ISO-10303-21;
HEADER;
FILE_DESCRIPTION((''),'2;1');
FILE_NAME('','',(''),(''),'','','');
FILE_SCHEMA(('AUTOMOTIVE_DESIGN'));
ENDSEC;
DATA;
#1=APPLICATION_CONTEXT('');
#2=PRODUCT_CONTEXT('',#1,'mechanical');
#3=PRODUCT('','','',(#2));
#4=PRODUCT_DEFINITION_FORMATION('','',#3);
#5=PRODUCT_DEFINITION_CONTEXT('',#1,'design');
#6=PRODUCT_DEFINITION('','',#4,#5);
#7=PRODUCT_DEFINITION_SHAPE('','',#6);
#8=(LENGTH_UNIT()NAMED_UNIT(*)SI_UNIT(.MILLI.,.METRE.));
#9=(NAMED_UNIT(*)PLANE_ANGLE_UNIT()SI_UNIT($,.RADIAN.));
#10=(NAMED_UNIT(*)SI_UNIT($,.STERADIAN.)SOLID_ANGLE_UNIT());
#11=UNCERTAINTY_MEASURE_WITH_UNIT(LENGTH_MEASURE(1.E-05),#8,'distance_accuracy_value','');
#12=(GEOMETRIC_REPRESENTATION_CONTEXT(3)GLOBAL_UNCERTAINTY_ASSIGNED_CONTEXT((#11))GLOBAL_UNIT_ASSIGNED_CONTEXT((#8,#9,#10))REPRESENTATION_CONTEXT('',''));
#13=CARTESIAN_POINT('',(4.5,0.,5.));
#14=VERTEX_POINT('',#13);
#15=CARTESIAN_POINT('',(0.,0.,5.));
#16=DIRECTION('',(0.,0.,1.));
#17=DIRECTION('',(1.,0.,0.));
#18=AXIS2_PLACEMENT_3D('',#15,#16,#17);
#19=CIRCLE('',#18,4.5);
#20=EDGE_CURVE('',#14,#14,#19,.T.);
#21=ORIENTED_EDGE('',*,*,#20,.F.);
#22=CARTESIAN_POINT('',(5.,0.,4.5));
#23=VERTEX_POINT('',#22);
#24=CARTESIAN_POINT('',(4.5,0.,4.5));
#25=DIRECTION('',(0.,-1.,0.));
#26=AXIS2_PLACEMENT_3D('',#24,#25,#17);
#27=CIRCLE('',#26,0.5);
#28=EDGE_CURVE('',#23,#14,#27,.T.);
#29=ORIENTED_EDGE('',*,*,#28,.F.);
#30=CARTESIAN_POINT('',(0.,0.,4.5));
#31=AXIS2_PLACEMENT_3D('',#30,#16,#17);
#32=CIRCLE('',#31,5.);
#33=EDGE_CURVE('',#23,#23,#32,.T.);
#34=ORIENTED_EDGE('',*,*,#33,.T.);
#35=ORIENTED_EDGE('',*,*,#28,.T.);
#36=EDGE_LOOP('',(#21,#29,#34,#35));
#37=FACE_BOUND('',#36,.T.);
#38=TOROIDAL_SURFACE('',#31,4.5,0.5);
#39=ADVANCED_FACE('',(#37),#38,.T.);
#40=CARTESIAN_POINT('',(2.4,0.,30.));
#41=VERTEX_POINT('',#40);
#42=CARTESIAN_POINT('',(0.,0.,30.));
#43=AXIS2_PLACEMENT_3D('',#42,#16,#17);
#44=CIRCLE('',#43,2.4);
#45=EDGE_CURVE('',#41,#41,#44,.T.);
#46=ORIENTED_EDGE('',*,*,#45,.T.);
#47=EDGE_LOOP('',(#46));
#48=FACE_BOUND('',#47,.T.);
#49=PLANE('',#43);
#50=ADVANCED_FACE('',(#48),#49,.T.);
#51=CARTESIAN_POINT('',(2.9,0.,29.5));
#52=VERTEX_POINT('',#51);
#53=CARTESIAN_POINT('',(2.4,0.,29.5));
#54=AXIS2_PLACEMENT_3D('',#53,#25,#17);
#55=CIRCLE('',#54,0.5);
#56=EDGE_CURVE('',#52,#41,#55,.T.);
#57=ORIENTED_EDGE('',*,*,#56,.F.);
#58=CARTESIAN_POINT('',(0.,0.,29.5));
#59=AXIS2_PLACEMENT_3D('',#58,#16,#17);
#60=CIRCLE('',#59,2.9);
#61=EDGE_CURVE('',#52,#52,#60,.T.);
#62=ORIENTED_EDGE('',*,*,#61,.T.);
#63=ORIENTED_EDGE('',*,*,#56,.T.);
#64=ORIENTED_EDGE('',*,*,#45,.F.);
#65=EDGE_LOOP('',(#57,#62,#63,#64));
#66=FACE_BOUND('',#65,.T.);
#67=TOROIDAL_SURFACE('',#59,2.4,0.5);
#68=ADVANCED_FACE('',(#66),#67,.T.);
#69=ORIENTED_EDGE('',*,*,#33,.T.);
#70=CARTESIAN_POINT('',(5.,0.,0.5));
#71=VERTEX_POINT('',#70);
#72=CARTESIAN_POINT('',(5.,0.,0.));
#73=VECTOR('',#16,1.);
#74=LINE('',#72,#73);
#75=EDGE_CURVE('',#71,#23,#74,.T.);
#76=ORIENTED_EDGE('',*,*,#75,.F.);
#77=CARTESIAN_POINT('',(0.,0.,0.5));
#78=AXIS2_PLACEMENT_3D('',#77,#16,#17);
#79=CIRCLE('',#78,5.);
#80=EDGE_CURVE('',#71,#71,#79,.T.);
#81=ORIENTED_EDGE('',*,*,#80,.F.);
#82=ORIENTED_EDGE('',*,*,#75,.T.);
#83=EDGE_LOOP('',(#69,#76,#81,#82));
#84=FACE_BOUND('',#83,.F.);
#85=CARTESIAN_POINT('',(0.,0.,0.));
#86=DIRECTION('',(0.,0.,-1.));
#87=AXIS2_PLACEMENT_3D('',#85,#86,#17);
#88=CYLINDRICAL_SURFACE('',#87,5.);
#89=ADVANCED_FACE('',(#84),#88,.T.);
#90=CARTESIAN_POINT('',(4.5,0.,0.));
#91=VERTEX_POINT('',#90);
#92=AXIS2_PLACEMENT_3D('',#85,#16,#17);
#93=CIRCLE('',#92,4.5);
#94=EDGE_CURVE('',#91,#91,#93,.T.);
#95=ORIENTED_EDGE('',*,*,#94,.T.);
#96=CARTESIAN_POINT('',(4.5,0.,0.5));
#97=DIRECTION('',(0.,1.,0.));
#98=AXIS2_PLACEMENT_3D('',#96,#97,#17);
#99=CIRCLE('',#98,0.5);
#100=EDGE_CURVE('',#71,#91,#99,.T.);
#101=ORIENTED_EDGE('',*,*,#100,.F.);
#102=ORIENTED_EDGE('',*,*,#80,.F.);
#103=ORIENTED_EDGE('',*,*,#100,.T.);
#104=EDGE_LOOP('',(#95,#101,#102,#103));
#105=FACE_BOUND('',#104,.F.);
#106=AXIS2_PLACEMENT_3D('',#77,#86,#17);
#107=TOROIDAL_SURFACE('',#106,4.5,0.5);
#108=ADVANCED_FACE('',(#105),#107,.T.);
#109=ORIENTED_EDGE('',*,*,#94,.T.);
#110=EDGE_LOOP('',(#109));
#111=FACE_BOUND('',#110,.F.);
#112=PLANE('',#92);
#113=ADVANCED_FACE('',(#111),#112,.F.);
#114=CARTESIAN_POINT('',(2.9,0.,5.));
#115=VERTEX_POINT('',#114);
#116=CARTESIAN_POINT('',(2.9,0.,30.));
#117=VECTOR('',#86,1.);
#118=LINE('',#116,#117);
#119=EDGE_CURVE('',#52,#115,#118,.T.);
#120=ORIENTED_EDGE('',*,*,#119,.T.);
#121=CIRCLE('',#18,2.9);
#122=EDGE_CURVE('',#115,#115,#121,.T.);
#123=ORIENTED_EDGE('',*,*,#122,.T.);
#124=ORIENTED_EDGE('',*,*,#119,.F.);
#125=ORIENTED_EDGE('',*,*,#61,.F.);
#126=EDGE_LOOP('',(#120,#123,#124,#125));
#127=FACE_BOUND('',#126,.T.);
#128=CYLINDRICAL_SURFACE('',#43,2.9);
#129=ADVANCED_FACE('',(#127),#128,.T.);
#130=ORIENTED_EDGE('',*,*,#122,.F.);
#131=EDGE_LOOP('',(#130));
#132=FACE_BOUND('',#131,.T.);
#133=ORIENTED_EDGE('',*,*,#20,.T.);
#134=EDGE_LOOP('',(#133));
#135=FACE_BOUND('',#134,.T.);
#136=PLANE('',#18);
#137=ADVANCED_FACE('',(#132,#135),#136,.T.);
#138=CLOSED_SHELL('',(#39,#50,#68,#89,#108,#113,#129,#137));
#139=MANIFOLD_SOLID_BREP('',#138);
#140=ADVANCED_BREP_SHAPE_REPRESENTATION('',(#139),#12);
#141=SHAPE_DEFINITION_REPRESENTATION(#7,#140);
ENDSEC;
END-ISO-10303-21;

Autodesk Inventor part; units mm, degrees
ref_plane "YZ Plane" through (0, 0, 0) normal (1, 0, 0) x (0, 1, 0)
ref_plane "XZ Plane" through (0, 0, 0) normal (0, 1, 0) x (-1, 0, 0)
ref_plane "XY Plane" through (0, 0, 0) normal (0, 0, 1) x (1, 0, 0)
sketch "Boceto1" plane through (0, 0, 0) normal (0, 0, 1) x (1, 0, 0)
  circle A0 centre (0, 0) radius 5
  dimension "d0" = 10
extrude "Extrusión1" add sketch "Boceto1" along normal blind 30
sketch "Boceto2" plane through (0, 0, 30) normal (0, 0, 1) x (1, 0, 0)
  circle A0 centre (0, 0) radius 5 projected
  circle A1 centre (0, 0) radius 2.9
  dimension "d3" = 5.8
extrude "Extrusión2" cut sketch "Boceto2" against normal blind 25
fillet "Empalme1" radius 0.5 3 edges at (-2.9, 0, 30) (-5, 0, 5) (-5, 0, 0)
properties part number "pern frontissa"
